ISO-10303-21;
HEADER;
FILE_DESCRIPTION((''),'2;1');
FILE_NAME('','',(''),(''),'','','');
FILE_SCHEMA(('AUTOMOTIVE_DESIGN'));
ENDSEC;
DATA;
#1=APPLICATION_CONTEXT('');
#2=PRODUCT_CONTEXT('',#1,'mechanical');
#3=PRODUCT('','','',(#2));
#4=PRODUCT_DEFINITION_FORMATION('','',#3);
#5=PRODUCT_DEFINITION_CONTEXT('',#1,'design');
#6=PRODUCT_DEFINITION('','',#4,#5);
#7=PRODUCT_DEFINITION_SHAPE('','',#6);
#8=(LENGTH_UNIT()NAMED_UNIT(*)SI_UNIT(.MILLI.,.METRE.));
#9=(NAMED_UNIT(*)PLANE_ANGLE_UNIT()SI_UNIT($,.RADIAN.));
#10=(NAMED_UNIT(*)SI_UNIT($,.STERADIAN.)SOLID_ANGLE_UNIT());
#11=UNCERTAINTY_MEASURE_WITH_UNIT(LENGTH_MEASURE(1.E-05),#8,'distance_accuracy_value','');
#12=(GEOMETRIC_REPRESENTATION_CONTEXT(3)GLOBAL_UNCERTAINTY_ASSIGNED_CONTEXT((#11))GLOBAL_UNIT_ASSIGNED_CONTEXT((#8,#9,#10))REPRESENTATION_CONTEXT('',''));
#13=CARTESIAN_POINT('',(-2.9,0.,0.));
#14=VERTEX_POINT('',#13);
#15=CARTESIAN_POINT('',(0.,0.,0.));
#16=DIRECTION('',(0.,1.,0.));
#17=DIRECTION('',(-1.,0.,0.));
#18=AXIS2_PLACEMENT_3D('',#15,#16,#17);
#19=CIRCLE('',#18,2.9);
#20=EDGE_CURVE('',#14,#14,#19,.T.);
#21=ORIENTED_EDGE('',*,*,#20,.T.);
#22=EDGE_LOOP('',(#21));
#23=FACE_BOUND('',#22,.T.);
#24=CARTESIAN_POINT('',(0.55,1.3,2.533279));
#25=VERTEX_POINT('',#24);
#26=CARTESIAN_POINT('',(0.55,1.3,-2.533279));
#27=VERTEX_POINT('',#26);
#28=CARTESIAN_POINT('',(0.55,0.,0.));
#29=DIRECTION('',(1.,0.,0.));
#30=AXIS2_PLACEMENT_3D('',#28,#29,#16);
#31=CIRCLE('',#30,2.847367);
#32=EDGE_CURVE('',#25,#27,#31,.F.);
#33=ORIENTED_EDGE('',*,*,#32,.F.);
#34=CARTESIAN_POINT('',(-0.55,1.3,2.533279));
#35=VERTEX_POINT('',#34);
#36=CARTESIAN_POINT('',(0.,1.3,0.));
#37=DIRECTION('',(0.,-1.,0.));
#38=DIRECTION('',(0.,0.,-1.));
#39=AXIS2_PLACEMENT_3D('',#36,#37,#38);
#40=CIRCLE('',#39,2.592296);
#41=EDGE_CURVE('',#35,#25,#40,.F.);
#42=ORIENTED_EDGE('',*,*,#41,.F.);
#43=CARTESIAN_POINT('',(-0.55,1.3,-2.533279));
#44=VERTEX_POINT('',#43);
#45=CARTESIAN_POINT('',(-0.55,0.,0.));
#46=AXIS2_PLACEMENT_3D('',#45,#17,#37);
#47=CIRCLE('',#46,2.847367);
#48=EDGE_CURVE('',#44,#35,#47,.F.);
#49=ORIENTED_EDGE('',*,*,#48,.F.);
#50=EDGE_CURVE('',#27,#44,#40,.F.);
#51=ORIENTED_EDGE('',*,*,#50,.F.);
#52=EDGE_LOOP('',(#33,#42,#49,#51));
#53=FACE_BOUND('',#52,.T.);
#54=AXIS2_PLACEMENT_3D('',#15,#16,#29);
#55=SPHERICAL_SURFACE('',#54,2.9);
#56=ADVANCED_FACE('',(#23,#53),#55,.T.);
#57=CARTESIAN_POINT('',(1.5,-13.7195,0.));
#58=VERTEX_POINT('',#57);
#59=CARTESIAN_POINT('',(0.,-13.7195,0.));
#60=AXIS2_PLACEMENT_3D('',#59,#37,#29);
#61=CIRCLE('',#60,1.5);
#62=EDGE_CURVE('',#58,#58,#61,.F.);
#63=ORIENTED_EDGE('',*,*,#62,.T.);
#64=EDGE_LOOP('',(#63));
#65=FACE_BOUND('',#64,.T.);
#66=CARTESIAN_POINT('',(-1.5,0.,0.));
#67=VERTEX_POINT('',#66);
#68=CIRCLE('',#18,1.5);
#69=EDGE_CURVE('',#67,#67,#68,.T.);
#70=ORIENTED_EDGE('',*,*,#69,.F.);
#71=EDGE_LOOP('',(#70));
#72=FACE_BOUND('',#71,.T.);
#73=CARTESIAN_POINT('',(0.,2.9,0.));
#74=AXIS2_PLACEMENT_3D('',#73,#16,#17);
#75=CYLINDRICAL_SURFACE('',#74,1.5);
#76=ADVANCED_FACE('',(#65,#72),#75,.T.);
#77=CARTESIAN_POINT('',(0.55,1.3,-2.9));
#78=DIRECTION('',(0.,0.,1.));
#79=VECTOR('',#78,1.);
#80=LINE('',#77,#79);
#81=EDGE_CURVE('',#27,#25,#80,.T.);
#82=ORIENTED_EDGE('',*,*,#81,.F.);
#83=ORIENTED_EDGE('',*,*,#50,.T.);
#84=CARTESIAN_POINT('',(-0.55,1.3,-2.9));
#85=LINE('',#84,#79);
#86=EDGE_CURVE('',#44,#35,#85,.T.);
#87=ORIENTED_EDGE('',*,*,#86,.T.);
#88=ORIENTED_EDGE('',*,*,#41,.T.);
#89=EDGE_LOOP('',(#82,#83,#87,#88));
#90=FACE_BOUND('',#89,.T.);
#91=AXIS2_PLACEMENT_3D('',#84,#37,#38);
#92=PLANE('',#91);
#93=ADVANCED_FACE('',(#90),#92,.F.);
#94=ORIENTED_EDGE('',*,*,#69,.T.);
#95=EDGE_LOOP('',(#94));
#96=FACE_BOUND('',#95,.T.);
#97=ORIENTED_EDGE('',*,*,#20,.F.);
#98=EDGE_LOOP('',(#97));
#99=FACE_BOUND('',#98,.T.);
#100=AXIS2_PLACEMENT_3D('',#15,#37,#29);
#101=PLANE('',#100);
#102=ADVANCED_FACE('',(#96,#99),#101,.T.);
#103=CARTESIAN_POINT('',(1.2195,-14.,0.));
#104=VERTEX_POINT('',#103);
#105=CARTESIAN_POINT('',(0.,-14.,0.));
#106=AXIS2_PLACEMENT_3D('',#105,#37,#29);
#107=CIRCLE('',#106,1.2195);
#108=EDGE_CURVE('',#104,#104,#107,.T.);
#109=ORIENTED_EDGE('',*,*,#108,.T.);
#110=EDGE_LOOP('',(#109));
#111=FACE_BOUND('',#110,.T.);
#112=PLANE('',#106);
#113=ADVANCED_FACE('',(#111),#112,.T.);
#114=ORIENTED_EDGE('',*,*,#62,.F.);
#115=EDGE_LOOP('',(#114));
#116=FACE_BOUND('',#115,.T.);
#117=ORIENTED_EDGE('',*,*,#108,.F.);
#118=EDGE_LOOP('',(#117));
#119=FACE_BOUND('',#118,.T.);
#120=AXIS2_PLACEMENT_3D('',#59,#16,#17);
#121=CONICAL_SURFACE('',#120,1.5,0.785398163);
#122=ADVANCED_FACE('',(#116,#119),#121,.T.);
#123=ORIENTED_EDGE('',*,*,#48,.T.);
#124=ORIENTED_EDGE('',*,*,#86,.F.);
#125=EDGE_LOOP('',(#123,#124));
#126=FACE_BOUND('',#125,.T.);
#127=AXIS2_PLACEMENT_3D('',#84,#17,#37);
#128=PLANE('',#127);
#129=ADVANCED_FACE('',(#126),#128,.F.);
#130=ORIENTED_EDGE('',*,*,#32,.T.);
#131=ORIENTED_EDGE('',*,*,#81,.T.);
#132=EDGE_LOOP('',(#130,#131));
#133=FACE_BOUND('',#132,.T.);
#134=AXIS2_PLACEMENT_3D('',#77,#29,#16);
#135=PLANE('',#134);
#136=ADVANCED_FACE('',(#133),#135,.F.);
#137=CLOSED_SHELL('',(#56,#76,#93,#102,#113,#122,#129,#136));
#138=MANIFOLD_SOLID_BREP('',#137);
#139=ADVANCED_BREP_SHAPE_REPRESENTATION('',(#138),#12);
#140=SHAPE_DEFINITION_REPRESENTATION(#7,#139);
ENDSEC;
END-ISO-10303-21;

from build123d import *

# Parameters (mm, degrees)
CHAMFER_1_SIZE           = 0.2805
SKETCH_4_W               = 1.1
SKETCH_4_H               = 3.2
CUT_EXTRUDE_2_DEPTH      = 3.9
CUT_EXTRUDE_2_DEPTH_BACK = 3.9


with BuildPart() as part:
    # Эскиз1 → Повернуть1 (revolve)
    with BuildSketch(Plane.XY):
        with BuildLine():
            ThreePointArc((0, 2.9), (2.050609665, 2.050609665), (2.9, 0))
            Line((2.9, 0), (1.5, 0))
            Line((1.5, 0), (1.5, -14))
            Line((1.5, -14), (0, -14))
            Line((0, -14), (0, 2.9))
        make_face()
    revolve(axis=Axis((0, 2.9, 0), (0, -1, 0)))

    # Фаска1
    chamfer_1_edges = [part.edges().sort_by_distance(p)[0] for p in [
        (-1.5, -14, 0),
    ]]
    chamfer(chamfer_1_edges, length=CHAMFER_1_SIZE)

    # Эскиз4 → Вырез-Вытянуть2 (cut, two sides)
    with BuildSketch(Plane.XY) as cut_extrude_2_sk:
        with Locations((0, 2.9)):
            Rectangle(SKETCH_4_W, SKETCH_4_H)
    extrude(amount=CUT_EXTRUDE_2_DEPTH, mode=Mode.SUBTRACT)
    extrude(cut_extrude_2_sk.sketch, amount=-CUT_EXTRUDE_2_DEPTH_BACK, mode=Mode.SUBTRACT)


solid = part.part
